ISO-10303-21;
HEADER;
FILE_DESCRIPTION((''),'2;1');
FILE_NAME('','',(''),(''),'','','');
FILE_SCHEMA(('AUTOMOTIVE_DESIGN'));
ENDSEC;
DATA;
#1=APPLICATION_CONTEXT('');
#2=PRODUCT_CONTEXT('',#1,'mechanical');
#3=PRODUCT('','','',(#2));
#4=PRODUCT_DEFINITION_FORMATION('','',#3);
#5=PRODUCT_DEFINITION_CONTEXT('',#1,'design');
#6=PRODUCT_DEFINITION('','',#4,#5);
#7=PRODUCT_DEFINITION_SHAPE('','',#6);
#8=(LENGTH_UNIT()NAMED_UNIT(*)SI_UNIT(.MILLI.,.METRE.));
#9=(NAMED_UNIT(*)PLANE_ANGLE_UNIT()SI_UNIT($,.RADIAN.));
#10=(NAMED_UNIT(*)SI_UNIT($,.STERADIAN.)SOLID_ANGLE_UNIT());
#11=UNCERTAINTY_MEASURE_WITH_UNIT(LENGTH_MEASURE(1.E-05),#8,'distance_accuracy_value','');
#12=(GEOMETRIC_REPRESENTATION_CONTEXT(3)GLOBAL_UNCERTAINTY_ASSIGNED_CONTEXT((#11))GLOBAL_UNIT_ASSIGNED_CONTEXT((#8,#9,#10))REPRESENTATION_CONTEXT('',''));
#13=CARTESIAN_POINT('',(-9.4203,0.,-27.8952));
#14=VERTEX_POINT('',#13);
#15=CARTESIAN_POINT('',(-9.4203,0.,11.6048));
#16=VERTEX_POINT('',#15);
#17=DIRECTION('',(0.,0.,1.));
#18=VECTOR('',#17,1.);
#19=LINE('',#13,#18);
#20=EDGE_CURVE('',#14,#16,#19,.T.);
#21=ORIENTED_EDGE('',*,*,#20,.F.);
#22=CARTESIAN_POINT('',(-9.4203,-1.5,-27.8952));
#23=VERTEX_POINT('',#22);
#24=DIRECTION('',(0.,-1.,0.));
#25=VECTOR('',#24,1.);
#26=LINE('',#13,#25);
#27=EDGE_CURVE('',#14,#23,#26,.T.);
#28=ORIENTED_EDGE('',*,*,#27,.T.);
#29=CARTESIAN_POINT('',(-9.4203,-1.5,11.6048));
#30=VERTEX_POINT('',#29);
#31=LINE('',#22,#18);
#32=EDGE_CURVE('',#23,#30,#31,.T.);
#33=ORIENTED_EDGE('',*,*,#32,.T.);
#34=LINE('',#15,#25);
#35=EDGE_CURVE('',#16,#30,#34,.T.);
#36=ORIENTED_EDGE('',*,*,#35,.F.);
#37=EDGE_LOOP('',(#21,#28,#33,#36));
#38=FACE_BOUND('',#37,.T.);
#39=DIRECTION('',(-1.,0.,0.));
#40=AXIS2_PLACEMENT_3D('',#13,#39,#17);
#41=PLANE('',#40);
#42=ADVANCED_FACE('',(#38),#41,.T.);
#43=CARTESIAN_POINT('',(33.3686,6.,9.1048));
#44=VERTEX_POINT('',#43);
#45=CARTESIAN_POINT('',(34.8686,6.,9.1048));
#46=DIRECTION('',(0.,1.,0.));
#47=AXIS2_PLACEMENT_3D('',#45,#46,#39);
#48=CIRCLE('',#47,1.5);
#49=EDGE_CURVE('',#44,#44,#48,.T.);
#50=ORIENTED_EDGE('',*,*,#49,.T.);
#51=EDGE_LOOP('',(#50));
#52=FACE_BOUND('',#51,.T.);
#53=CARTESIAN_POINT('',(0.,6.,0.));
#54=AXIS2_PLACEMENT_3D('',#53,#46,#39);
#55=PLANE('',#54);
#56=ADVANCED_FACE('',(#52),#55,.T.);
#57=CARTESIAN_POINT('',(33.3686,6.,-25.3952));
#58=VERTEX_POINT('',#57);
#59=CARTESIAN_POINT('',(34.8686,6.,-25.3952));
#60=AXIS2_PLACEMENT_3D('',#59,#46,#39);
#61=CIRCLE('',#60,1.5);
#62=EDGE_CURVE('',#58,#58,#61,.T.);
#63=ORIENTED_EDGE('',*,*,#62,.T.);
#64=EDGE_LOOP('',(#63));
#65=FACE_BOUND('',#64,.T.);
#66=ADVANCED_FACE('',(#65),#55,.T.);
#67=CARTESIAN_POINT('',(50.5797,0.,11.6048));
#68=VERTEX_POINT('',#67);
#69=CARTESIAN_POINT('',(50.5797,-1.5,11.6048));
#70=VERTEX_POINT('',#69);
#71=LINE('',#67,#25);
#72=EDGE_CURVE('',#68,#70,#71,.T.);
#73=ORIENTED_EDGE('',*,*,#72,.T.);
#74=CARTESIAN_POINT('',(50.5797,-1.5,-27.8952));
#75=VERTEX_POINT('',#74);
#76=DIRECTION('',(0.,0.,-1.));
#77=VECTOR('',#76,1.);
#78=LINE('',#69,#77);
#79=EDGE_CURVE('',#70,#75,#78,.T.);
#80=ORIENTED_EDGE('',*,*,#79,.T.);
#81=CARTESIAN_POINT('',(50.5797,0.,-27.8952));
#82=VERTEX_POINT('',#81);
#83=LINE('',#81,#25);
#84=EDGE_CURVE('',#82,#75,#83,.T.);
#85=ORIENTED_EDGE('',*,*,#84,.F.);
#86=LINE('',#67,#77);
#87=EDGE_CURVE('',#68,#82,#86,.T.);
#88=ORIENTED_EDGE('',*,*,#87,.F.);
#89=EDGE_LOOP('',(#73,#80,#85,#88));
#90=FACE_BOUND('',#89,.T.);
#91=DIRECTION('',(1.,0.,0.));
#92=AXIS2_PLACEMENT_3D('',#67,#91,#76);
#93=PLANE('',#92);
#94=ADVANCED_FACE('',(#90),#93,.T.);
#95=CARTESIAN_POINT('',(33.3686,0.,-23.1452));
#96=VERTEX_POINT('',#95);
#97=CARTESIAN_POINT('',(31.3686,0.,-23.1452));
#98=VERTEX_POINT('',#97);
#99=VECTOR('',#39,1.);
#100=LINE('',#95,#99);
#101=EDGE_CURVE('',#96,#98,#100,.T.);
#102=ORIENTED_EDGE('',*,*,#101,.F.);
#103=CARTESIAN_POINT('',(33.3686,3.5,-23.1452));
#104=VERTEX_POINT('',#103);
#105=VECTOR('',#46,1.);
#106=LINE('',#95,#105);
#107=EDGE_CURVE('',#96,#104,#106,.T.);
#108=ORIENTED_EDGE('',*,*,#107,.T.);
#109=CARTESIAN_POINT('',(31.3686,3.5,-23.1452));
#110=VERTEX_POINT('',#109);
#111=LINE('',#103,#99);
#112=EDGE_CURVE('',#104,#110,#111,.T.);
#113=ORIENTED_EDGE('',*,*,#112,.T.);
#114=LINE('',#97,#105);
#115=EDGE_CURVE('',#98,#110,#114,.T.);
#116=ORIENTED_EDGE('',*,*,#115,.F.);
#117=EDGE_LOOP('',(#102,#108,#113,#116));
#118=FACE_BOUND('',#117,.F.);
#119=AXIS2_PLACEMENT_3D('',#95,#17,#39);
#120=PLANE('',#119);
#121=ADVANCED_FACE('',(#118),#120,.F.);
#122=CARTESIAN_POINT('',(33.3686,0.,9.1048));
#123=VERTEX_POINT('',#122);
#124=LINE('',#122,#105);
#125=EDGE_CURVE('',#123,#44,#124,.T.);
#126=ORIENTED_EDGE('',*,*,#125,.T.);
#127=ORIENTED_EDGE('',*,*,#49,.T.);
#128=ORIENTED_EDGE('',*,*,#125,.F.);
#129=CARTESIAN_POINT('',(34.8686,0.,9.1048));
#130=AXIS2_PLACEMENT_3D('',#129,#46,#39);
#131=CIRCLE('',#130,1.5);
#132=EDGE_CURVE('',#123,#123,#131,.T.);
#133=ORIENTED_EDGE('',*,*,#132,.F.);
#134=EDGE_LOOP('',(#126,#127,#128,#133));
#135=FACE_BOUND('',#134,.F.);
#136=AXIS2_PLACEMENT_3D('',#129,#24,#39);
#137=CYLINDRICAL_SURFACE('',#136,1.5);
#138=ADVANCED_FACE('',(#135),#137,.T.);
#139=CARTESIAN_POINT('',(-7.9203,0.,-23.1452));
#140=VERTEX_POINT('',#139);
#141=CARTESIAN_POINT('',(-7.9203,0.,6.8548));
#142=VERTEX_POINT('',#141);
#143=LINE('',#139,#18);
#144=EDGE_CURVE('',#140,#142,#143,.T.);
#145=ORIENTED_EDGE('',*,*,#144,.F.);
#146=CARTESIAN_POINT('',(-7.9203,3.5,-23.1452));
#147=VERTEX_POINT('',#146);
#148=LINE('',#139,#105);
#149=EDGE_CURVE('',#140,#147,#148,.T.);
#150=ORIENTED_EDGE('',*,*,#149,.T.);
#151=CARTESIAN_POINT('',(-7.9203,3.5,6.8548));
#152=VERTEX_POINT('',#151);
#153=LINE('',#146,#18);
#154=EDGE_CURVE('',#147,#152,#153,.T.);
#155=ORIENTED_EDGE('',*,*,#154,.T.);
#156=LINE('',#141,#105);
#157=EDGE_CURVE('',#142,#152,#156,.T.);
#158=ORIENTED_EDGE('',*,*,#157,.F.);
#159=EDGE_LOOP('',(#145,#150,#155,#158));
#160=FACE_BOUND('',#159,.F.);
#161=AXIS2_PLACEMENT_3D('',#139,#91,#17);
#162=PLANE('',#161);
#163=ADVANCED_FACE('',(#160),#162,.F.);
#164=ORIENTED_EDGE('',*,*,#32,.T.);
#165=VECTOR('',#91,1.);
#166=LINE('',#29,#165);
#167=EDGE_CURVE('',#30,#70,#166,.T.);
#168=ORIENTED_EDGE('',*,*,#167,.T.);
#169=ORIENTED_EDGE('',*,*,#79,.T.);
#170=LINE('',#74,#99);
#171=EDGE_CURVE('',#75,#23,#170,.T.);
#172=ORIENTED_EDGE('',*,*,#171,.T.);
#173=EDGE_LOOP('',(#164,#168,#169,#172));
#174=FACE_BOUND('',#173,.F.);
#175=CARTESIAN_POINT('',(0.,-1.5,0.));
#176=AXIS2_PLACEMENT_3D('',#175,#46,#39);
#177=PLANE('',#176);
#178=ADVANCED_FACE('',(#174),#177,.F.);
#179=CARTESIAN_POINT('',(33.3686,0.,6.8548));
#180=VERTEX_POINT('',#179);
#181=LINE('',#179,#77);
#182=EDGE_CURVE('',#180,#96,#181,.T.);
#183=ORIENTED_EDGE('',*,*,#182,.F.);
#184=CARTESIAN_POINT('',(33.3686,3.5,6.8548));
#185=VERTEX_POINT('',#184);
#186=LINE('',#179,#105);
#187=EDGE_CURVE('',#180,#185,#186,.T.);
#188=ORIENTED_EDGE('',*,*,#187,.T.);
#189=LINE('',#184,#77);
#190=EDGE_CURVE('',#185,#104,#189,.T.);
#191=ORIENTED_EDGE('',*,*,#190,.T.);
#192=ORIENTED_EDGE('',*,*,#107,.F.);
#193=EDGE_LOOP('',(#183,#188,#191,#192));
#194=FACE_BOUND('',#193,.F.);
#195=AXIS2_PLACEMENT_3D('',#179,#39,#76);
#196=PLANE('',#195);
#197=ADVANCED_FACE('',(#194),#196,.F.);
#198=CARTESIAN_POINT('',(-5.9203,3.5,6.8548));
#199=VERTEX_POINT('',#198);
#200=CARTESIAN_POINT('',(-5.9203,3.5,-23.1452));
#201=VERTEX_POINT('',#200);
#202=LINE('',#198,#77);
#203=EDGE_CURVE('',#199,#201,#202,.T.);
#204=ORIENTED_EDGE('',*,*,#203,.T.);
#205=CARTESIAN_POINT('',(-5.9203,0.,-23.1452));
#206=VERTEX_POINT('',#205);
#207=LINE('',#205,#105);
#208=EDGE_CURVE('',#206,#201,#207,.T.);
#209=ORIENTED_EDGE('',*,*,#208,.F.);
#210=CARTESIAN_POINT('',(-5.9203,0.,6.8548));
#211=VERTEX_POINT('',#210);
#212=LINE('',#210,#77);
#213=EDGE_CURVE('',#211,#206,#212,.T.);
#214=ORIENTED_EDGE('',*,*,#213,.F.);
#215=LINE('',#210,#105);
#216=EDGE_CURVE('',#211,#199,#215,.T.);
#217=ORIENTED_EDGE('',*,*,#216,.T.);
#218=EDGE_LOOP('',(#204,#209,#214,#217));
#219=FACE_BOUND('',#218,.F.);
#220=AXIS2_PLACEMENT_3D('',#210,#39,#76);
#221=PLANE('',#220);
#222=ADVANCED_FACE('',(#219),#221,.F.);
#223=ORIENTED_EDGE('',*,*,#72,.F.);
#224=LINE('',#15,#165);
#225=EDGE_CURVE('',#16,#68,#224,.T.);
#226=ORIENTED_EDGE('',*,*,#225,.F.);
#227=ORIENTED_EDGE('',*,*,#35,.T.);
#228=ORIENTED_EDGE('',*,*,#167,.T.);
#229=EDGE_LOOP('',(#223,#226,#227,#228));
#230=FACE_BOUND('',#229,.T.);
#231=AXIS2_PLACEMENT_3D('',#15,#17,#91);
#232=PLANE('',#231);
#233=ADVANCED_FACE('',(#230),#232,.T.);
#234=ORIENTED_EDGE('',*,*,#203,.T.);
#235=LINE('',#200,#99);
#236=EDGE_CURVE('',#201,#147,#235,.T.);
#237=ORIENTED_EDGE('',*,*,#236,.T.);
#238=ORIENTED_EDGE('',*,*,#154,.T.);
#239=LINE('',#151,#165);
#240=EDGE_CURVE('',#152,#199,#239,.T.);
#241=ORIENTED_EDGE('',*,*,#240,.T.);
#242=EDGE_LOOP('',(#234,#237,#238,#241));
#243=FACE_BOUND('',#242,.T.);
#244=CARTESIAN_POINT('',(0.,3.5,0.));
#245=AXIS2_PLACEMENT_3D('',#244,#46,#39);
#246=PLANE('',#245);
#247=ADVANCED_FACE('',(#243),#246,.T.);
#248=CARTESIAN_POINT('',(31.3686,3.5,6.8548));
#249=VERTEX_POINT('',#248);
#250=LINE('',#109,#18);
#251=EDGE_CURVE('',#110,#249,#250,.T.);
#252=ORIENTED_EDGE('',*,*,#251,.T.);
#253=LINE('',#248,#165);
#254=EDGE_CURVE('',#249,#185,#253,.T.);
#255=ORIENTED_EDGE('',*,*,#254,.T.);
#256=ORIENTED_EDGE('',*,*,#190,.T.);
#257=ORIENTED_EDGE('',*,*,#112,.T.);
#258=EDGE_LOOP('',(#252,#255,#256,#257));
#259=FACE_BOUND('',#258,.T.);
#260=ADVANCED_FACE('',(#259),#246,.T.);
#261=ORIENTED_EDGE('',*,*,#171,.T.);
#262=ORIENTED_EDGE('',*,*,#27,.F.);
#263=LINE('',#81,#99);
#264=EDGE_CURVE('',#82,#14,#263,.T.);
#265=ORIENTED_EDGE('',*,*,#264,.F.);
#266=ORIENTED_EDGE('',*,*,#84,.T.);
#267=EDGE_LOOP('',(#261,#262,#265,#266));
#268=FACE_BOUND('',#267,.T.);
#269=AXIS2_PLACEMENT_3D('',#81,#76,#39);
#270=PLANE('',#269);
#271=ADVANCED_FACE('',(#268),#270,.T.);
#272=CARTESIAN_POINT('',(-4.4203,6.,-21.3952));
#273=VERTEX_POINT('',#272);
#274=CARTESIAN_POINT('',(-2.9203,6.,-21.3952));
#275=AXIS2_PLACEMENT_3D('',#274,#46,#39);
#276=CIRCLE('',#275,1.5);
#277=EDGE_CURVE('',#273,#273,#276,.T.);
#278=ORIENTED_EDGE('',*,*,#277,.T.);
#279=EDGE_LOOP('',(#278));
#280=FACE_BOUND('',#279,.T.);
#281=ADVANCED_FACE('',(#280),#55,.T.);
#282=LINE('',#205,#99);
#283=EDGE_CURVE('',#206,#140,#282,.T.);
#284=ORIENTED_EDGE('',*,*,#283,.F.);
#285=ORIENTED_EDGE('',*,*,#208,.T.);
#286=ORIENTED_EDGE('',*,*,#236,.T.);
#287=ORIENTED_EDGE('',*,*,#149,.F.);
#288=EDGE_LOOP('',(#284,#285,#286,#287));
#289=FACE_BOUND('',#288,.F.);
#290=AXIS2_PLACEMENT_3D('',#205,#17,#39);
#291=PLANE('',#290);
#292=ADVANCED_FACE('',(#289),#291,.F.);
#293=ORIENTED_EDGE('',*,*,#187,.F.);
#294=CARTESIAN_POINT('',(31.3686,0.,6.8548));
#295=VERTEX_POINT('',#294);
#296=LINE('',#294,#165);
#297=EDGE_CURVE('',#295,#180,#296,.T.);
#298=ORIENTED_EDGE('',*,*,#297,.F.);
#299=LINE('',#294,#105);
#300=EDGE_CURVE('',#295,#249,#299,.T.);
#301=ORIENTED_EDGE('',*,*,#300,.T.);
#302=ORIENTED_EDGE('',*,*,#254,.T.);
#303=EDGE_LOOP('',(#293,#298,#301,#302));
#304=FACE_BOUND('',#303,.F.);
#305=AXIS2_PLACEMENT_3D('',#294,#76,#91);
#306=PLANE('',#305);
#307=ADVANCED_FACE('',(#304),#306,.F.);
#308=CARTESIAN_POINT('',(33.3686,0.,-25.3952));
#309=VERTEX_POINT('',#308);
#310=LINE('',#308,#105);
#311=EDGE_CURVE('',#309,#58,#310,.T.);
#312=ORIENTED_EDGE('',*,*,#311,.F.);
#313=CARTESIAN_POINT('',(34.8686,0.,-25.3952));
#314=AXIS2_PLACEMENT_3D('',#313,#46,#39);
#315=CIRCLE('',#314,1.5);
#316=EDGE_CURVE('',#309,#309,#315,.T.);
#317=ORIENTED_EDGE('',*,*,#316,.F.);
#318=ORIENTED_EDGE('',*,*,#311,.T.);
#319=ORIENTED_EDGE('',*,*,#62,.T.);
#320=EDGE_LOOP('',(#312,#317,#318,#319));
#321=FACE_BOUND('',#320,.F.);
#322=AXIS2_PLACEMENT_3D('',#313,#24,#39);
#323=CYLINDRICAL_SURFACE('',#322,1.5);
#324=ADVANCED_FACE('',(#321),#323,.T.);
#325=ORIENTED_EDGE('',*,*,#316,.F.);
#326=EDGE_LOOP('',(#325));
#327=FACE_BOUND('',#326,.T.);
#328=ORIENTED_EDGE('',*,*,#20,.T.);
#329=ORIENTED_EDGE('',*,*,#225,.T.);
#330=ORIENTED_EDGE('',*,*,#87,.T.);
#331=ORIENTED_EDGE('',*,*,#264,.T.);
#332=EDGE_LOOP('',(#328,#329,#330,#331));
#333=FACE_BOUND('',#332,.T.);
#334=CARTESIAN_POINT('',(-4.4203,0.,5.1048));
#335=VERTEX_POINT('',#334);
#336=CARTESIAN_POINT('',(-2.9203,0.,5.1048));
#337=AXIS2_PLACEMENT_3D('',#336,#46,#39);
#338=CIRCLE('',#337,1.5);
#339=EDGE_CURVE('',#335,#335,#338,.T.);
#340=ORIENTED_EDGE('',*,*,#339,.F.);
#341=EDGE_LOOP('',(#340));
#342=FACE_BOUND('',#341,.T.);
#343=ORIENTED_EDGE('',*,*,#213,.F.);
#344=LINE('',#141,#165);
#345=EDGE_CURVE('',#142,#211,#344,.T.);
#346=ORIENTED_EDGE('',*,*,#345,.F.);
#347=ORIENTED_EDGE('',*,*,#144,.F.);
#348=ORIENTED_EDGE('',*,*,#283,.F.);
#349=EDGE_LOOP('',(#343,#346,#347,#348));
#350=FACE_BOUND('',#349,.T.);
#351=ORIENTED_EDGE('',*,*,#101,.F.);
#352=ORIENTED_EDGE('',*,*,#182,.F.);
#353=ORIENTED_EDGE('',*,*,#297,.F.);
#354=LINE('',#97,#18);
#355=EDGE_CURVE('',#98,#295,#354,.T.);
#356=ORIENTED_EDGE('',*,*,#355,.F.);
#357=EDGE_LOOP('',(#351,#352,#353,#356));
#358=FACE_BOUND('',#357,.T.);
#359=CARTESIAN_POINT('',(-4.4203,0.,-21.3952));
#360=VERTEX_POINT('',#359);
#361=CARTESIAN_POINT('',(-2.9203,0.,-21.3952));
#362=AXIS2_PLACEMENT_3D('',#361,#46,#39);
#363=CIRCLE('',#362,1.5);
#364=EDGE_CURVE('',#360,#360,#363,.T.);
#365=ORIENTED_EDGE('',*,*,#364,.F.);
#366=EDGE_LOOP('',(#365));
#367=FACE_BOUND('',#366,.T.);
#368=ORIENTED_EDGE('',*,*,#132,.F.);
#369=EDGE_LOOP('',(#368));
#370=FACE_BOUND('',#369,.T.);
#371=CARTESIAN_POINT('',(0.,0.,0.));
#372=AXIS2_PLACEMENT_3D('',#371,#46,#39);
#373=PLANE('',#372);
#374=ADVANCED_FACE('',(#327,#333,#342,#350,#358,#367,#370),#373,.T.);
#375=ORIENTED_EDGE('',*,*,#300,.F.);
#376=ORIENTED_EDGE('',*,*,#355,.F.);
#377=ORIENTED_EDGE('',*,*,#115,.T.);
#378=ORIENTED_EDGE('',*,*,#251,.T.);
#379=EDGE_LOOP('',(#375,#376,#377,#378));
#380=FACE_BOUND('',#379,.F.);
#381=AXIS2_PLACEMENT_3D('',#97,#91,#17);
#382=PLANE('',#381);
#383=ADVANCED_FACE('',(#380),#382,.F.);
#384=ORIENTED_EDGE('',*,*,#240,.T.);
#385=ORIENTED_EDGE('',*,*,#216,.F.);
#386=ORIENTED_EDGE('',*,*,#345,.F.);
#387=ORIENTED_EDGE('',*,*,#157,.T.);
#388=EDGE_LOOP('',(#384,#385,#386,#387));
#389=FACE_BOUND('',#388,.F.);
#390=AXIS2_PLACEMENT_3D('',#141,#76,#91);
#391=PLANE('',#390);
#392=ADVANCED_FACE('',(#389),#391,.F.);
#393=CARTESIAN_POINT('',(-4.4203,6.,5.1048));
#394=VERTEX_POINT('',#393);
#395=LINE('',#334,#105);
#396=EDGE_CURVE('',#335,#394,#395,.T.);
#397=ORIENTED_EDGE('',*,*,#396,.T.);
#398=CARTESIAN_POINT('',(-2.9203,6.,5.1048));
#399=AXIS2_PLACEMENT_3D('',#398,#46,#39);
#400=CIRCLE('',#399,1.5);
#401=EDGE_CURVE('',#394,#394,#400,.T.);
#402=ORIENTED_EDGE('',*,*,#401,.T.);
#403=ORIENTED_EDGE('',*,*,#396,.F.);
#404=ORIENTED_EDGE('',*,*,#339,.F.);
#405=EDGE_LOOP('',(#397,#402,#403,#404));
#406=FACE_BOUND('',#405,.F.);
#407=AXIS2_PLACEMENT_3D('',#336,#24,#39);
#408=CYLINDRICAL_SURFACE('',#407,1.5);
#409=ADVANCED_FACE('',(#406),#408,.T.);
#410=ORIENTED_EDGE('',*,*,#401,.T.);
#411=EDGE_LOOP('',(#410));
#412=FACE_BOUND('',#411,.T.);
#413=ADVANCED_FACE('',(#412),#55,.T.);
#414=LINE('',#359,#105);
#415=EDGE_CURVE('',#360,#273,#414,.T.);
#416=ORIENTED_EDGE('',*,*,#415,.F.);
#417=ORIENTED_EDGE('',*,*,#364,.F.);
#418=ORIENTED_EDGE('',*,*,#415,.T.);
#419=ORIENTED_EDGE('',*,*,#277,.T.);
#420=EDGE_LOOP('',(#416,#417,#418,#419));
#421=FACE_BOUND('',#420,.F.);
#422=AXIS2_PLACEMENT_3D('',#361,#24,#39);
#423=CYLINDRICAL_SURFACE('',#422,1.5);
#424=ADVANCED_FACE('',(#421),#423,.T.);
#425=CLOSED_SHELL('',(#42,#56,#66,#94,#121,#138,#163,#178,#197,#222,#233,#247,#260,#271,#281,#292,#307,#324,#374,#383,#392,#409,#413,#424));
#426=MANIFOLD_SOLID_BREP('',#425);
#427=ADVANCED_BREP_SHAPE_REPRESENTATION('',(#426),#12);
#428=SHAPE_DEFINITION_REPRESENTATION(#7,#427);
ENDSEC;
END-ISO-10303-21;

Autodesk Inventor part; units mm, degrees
ref_plane "YZ Plane" through (0, 0, 0) normal (1, 0, 0) x (0, 1, 0)
ref_plane "XZ Plane" through (0, 0, 0) normal (0, 1, 0) x (-1, 0, 0)
ref_plane "XY Plane" through (0, 0, 0) normal (0, 0, 1) x (1, 0, 0)
sketch "Sketch5" plane through (0, 0, 0) normal (0, 1, 0) x (-1, 0, 0)
  line L0 (9.4203, 11.6048) -> (-50.5797, 11.6048)
  line L1 (-50.5797, 11.6048) -> (-50.5797, -27.8952)
  line L2 (-50.5797, -27.8952) -> (9.4203, -27.8952)
  line L3 (9.4203, -27.8952) -> (9.4203, 11.6048)
  line L4 (-33.3686, -23.1452) -> (-31.3686, -23.1452)
  line L5 (-31.3686, -23.1452) -> (-31.3686, 6.8548)
  line L6 (-31.3686, 6.8548) -> (-33.3686, 6.8548)
  line L7 (-33.3686, 6.8548) -> (-33.3686, -23.1452)
  line L8 (7.9203, 6.8548) -> (5.9203, 6.8548)
  line L9 (5.9203, 6.8548) -> (5.9203, -23.1452)
  line L10 (5.9203, -23.1452) -> (7.9203, -23.1452)
  line L11 (7.9203, -23.1452) -> (7.9203, 6.8548)
  circle A0 centre (2.9203, -21.3952) radius 1.5
  circle A1 centre (2.9203, 5.1048) radius 1.5
  circle A2 centre (-34.8686, -25.3952) radius 1.5
  circle A3 centre (-34.8686, 9.1048) radius 1.5
  point P0 (0, 0)
  dimension "d9" = 60
  dimension "d10" = 39.5
  dimension "d24" = 2
  dimension "d27" = 4.75
  dimension "d29" = 2
  dimension "d31" = 1.5
  dimension "d32" = 4.75
  dimension "d33" = 4.75
  dimension "d40" = 3
  dimension "d41" = 6.5
  dimension "d42" = 6.5
  dimension "d43" = 3
  dimension "d44" = 6.5
  dimension "d45" = 6.5
  dimension "d46" = 3
  dimension "d47" = 2.5
  dimension "d49" = 3
  dimension "d50" = 2.5
  dimension "d59" = 35
  dimension "d62" = 1.5
  dimension "d66" = 35
extrude "Extrusion8" add sketch "Sketch5" against normal blind 1.5 contours L3 L2 L1 L0 | L7 L6 L5 L4 | L11 L10 L9 L8 | A0 | A1 | A2 | A3
extrude "Extrusion9" add sketch "Sketch5" along normal blind 3.5 contours L7 L6 L5 L4 | L11 L10 L9 L8
extrude "Extrusion10" add sketch "Sketch5" along normal blind 6 contours A0 | A1 | A2 | A3
properties part number "RFID-RC522 Holder 3.2"
